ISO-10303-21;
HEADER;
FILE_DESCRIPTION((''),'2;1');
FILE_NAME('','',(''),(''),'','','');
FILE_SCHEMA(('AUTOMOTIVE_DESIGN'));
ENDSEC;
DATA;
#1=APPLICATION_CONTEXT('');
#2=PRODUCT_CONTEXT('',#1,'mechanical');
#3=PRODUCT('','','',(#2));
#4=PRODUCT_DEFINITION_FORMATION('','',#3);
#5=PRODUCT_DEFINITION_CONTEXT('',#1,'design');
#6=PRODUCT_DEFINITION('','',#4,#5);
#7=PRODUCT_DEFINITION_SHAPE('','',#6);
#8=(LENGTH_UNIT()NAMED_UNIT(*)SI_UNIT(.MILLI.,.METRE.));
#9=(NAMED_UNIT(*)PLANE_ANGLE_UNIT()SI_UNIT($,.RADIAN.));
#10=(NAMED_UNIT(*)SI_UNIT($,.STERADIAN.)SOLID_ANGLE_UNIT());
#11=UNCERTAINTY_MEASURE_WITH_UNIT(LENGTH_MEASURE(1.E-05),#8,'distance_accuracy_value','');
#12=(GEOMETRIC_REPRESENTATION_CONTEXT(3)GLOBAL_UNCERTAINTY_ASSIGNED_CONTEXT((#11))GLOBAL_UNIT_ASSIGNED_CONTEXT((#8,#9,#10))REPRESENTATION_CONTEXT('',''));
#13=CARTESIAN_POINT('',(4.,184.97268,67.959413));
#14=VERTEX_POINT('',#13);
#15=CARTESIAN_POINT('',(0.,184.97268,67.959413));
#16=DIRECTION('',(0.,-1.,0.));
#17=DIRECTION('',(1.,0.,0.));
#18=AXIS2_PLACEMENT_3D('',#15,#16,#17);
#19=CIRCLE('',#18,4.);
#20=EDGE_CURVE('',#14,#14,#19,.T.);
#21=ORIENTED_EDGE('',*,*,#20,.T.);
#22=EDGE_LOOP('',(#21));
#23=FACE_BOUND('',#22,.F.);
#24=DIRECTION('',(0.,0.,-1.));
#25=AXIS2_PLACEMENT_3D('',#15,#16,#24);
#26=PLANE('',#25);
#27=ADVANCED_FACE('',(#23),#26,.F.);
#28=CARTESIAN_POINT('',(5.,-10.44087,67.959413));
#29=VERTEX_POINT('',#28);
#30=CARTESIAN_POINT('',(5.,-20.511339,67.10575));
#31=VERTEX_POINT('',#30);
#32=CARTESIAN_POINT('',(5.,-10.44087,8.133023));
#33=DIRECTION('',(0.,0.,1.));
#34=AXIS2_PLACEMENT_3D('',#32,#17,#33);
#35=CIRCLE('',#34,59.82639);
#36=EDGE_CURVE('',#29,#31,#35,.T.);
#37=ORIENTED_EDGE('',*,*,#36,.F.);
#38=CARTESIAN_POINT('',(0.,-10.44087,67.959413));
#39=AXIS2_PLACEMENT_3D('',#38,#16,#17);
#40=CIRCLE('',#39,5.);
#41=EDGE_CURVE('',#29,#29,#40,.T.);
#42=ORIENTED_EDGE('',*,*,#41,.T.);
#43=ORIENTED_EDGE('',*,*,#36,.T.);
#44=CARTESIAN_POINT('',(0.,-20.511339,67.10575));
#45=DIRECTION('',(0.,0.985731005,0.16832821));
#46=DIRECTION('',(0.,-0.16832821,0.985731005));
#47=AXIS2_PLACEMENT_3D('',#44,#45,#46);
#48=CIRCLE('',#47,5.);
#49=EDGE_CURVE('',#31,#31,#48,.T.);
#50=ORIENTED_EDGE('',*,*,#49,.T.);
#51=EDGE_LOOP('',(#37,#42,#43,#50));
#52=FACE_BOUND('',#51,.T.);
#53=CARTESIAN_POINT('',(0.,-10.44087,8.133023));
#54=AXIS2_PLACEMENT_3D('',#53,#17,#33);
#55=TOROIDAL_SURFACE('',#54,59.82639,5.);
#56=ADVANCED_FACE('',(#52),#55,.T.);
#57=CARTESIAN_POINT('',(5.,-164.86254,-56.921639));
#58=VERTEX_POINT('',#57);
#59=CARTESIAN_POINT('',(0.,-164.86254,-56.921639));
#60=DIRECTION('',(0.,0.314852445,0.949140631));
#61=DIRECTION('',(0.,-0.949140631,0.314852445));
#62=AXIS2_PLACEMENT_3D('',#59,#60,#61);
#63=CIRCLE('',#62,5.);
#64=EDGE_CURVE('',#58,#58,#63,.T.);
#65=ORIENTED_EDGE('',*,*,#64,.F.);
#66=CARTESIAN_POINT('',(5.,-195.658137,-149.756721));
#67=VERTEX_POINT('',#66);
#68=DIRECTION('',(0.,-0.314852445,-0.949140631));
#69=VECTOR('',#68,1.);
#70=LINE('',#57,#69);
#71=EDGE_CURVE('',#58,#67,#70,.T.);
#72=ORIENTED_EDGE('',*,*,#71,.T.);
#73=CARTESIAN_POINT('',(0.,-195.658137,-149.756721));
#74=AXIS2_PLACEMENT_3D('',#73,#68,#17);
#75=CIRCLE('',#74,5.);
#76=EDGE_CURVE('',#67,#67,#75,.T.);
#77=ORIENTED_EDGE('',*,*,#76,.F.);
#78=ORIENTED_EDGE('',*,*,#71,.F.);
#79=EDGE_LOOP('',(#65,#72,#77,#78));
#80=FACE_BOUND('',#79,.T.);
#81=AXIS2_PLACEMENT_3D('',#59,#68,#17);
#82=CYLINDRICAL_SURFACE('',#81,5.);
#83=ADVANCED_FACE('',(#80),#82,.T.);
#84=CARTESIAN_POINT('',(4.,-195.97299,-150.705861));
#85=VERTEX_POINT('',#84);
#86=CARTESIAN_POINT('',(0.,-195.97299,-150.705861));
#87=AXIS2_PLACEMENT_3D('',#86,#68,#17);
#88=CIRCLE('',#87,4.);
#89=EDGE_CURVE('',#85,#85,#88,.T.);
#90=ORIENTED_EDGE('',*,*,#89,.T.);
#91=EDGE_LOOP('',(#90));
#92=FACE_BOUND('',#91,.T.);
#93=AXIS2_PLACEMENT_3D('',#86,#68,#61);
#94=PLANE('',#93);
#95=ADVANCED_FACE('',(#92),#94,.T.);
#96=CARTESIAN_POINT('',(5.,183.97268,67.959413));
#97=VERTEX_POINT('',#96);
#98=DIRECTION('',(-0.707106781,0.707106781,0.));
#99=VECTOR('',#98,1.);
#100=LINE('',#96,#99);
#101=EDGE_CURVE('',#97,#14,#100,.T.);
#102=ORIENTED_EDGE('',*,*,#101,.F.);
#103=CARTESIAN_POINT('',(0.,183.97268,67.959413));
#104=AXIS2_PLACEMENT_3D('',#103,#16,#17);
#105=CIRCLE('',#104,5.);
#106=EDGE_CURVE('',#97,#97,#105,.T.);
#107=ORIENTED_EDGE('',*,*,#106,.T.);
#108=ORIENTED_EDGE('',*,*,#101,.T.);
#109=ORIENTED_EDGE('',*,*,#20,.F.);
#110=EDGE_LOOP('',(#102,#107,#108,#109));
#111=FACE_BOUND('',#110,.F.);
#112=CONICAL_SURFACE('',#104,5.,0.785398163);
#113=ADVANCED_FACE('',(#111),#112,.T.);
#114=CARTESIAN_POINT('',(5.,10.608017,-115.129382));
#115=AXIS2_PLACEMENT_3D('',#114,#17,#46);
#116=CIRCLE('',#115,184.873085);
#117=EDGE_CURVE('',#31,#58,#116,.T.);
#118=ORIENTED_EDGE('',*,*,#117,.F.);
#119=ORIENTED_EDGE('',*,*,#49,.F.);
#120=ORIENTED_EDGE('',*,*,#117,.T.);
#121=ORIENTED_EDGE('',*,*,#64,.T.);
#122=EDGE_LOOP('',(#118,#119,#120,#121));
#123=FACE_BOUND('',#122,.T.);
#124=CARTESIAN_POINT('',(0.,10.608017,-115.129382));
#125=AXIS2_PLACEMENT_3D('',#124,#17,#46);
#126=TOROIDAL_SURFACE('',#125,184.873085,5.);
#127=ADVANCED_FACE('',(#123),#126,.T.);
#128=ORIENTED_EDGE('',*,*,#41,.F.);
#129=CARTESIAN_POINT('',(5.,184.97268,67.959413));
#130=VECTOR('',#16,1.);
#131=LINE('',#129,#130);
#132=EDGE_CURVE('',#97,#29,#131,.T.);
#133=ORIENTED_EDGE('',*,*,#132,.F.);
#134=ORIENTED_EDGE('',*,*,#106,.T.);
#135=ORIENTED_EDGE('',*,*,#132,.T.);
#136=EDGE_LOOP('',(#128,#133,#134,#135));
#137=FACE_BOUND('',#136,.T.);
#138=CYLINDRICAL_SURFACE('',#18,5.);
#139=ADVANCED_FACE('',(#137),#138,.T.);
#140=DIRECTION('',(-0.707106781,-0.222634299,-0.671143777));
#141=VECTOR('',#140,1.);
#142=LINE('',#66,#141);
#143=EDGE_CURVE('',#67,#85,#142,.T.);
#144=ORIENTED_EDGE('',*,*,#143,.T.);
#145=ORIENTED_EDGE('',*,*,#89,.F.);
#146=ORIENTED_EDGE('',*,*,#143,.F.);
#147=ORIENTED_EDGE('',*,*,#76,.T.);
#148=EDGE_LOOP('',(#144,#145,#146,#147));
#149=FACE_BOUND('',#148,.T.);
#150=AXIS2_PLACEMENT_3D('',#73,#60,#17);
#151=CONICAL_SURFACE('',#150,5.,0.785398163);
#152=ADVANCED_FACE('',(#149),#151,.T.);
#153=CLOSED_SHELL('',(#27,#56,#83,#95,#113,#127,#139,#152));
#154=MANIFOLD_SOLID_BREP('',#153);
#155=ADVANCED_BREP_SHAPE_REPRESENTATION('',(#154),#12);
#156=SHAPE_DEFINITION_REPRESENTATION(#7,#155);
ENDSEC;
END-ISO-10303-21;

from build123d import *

# Parameters (mm, degrees)
F2_R    = 5
F4_SIZE = 1


with BuildPart() as f3:
    # F3: sweep along a path in F0
    with BuildLine(Plane.YZ) as f3_path:
        Line((184.972679615, 68.1330226362), (-10.4408697825, 68.1330226362))
        ThreePointArc((-10.4408697825, 68.1330226362), (-15.5088271138, 67.9186045811), (-20.5405623934, 67.2768829191))
        ThreePointArc((-20.5405623934, 67.2768829191), (-109.9856046606, 25.2253754751), (-165.027320385, -56.8669773638))
        Line((-165.027320385, -56.8669773638), (-196.1377699088, -150.6511997085))
    # F2 (on plane+point) → F3 (sweep)
    with BuildSketch(Plane.XZ.offset(-184.972679615)):
        with Locations((0, 67.9594129324)):
            Circle(F2_R)
    sweep(path=f3_path.line)

    # F4
    f4_edges = [f3.edges().sort_by_distance(p)[0] for p in [
        (-5, 184.97268, 67.959413),
        (-5, -195.97299, -150.705861),
    ]]
    chamfer(f4_edges, length=F4_SIZE)


solid = f3.part
